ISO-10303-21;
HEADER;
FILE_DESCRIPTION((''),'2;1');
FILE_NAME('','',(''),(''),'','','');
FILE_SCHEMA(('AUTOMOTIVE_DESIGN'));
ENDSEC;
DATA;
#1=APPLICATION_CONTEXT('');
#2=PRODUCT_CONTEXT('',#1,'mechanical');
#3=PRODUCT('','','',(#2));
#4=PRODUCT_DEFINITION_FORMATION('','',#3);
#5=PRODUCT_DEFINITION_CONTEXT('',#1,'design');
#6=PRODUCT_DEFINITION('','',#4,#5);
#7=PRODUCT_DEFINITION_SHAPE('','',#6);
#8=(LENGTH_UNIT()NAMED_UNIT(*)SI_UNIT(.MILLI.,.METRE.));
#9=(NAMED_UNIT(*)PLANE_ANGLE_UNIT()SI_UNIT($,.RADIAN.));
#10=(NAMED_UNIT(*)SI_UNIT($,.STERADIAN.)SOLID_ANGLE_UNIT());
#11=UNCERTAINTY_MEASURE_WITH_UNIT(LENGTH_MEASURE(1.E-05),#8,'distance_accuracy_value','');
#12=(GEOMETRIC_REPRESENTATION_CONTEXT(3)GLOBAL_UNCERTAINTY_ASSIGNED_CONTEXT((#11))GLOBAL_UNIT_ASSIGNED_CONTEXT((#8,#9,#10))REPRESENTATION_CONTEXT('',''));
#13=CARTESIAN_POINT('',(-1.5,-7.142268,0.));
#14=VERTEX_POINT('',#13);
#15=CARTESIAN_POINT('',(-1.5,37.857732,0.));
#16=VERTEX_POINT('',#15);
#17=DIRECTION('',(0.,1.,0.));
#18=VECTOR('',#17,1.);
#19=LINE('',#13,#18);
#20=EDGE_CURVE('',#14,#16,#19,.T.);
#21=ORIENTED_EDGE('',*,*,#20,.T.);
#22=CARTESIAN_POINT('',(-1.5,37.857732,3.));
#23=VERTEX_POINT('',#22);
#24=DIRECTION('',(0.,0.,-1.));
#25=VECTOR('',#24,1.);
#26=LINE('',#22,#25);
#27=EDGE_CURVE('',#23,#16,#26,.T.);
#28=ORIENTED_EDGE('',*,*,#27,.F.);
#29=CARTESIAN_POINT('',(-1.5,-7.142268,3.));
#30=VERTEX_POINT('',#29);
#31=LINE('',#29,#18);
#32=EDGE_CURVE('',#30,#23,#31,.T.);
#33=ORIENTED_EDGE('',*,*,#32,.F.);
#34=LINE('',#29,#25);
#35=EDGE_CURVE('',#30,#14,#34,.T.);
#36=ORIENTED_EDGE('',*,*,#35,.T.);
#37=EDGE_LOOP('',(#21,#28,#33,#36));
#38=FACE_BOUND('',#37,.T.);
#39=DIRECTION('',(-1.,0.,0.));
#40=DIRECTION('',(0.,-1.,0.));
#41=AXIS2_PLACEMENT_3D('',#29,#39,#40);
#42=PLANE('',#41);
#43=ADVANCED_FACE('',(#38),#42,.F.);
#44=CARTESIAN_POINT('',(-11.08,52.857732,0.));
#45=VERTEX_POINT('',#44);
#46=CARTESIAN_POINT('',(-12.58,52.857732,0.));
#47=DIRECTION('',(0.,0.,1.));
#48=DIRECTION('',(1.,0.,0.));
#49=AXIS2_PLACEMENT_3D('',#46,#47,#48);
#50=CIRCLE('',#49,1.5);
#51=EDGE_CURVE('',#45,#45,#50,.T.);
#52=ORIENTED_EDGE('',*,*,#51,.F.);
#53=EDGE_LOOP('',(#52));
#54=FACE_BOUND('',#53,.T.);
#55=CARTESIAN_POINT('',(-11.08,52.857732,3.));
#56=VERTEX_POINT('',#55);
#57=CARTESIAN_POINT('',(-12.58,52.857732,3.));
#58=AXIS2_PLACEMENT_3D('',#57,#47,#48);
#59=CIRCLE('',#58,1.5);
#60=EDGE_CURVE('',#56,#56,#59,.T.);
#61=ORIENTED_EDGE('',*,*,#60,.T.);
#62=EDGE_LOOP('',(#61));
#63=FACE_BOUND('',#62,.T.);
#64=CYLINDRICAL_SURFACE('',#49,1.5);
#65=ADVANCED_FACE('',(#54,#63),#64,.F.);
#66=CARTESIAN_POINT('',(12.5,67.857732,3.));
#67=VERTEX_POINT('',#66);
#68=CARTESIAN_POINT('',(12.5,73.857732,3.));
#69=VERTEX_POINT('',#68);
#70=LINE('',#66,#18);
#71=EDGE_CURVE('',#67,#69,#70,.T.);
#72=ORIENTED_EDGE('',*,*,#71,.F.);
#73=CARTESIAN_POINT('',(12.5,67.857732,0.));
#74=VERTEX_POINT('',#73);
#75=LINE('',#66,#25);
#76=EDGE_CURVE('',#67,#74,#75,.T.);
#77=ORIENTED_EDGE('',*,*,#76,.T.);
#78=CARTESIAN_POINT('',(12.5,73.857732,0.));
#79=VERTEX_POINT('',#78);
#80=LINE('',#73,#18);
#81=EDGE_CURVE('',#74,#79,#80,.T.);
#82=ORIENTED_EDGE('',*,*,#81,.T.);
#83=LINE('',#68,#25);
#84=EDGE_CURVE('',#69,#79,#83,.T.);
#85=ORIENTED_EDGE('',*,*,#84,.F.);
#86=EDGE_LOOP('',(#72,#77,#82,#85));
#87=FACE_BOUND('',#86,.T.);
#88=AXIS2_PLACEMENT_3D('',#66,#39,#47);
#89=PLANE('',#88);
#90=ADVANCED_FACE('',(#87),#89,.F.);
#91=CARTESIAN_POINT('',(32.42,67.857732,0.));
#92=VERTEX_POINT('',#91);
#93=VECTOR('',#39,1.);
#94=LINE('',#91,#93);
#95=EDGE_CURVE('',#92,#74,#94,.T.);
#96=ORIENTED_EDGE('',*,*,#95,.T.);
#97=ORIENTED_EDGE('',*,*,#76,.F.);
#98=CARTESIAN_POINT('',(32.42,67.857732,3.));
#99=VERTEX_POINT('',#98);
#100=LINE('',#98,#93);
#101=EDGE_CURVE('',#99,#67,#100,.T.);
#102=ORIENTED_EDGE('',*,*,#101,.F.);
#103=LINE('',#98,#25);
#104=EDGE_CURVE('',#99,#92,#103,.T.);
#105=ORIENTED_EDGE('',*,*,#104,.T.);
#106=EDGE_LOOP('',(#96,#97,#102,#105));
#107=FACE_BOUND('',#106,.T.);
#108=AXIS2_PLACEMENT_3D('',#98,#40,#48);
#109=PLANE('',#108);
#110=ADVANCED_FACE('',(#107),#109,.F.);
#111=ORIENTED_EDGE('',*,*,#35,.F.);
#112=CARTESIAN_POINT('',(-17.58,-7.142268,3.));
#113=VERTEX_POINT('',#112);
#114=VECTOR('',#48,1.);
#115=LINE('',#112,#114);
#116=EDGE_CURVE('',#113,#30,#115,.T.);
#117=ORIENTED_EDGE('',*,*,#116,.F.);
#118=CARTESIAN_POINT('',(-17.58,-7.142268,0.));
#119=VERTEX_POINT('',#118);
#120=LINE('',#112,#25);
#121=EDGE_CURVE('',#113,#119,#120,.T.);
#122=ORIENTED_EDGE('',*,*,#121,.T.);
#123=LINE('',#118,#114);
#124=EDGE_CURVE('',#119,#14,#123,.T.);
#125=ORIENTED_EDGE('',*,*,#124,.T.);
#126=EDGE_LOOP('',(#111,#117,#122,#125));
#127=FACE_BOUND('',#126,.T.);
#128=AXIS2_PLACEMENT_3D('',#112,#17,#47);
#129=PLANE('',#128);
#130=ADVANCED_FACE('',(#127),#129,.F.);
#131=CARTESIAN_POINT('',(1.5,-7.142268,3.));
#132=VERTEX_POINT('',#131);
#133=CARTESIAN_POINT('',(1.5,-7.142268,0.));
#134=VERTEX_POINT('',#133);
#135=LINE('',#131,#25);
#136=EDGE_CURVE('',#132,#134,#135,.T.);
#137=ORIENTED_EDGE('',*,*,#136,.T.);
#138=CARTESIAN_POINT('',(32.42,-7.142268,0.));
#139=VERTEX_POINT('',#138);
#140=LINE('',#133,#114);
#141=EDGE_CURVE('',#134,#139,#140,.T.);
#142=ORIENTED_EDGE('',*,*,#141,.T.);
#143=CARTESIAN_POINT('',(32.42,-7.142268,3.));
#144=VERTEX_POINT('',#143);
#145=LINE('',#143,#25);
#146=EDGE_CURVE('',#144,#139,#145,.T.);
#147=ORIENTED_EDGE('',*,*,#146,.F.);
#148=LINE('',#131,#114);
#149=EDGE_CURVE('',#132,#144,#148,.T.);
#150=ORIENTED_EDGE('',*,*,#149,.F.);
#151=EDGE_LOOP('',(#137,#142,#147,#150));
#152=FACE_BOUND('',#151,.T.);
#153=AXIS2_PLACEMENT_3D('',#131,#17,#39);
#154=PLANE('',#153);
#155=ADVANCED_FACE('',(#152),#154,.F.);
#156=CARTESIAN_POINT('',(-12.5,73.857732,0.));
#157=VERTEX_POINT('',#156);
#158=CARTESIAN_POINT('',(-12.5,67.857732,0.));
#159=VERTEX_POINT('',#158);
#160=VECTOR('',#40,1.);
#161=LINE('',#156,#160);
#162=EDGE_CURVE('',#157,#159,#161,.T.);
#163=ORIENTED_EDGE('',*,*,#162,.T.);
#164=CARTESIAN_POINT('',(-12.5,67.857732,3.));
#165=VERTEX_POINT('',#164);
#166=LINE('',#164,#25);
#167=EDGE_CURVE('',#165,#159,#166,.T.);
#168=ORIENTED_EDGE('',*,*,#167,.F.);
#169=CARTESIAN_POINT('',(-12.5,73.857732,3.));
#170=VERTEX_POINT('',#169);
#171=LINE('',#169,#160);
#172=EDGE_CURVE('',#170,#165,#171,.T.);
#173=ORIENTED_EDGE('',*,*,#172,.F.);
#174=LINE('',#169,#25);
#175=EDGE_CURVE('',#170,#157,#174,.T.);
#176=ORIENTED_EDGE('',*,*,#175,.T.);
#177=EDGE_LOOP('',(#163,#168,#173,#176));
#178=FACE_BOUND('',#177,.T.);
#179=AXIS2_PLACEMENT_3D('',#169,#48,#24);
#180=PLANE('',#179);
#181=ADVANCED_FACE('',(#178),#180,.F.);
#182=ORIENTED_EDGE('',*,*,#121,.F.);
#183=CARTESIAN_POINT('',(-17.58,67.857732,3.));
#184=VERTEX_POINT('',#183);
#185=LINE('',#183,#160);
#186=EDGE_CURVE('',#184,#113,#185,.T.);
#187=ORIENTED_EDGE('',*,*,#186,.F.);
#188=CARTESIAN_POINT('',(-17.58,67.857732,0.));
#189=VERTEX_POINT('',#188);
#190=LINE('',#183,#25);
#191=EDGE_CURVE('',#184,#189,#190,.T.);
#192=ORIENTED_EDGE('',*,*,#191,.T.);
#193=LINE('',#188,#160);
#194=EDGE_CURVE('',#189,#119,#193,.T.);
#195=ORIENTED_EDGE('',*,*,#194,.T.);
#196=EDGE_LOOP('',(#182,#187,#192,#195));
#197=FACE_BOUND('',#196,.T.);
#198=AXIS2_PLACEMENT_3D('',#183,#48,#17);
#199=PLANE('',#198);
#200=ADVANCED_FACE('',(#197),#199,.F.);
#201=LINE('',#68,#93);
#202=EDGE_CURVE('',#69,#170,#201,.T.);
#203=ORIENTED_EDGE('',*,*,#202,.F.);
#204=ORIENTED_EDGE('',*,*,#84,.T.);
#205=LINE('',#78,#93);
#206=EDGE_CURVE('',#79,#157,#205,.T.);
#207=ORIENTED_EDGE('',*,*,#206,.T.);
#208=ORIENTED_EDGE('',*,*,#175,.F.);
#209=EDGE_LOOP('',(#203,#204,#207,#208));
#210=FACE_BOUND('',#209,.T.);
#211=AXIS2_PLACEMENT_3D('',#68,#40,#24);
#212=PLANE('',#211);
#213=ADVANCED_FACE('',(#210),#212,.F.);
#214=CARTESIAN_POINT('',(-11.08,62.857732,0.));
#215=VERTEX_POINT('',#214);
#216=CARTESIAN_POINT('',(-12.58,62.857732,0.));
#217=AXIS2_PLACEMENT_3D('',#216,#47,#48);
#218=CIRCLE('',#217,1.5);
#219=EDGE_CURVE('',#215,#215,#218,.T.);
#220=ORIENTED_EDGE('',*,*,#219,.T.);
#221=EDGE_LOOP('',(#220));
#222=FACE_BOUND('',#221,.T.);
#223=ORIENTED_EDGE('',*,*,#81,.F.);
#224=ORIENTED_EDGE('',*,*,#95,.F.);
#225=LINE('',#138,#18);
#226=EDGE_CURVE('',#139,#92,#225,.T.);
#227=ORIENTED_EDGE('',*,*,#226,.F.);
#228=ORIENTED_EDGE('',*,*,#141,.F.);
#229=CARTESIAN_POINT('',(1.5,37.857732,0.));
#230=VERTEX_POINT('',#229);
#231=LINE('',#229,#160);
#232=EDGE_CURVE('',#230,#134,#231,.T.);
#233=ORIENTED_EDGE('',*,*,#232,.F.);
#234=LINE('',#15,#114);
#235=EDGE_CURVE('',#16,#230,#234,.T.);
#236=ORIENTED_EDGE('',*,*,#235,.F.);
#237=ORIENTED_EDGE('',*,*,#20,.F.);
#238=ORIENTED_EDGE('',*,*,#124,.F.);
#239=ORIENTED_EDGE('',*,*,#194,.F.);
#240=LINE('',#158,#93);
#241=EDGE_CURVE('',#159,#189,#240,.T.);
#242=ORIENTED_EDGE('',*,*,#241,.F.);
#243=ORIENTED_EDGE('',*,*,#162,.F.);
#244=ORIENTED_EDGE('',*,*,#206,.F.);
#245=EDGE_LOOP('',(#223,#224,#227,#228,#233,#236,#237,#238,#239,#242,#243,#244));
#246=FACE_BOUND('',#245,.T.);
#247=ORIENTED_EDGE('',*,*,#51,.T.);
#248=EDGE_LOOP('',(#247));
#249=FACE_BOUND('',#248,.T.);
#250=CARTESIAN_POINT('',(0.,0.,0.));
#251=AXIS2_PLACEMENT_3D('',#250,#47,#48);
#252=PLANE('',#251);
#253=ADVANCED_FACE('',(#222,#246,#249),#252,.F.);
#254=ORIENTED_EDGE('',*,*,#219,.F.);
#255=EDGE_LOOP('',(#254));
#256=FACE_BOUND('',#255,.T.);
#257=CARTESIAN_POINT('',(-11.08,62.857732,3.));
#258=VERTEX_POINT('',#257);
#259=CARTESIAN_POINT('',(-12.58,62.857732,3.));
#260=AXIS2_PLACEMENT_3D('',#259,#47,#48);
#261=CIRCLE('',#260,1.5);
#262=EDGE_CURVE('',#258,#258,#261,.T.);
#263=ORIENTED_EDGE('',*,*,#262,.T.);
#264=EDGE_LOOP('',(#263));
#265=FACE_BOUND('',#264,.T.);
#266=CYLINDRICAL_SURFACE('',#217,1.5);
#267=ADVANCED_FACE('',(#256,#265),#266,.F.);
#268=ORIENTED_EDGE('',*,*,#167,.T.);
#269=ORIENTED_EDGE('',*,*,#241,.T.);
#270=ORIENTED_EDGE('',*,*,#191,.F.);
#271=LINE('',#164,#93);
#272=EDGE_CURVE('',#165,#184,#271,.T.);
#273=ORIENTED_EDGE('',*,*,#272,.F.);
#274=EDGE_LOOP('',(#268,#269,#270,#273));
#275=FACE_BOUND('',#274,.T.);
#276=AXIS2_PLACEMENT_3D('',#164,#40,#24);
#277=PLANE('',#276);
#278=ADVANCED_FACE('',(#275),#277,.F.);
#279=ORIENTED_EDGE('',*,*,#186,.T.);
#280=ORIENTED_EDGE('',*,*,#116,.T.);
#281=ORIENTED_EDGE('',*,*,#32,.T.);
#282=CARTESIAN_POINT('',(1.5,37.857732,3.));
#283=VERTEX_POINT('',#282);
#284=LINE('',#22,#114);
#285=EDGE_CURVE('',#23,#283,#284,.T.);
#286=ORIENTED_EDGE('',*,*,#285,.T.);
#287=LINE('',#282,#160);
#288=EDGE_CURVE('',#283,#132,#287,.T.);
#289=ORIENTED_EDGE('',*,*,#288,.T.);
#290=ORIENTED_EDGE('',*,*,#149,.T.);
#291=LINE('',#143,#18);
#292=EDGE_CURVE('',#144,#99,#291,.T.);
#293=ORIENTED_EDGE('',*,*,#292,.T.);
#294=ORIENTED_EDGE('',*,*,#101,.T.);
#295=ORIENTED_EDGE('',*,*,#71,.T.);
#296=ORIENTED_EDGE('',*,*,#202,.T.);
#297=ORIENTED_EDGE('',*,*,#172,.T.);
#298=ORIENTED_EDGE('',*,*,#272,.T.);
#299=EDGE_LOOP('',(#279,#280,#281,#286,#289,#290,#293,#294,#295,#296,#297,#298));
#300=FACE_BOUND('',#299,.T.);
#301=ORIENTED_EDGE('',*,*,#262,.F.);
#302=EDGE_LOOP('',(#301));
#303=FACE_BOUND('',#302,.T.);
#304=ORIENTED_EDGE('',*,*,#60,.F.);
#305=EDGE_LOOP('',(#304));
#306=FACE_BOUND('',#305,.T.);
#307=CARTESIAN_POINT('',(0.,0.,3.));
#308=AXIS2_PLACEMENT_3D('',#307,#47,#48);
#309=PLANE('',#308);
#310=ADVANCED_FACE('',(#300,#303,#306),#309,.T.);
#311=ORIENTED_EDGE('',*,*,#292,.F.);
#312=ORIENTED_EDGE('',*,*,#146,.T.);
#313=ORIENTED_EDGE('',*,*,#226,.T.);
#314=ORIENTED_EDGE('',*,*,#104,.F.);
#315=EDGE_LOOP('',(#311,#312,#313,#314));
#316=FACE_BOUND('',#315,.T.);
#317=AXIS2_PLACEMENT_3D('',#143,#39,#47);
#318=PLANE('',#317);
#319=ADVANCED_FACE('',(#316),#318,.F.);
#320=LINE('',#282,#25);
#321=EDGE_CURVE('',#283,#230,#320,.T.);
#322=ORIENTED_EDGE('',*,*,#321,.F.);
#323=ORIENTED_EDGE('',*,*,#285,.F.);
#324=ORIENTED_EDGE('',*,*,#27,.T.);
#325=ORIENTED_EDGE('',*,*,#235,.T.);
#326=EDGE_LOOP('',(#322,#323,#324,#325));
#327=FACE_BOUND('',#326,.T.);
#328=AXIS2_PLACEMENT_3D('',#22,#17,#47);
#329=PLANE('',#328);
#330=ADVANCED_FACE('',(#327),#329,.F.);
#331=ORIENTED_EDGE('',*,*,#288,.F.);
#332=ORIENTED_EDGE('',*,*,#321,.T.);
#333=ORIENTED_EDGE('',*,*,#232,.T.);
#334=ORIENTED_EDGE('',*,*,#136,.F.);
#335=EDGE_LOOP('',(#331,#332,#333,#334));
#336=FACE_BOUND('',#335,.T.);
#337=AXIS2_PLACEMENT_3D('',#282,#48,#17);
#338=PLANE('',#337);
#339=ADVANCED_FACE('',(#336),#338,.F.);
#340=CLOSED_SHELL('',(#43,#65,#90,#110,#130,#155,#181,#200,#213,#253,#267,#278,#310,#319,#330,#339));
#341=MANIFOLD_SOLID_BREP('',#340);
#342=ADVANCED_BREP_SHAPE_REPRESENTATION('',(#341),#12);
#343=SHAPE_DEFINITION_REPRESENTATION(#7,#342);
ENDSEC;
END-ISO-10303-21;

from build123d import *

# Parameters (mm, degrees)
BOSS_EXTRUDE1_DEPTH = 3
SKETCH2_R           = 1.5
CUT_EXTRUDE1_DEPTH  = 4


with BuildPart() as part:
    # Sketch1 → Boss-Extrude1 (new body)
    with BuildSketch(Plane.XY):
        Polygon((12.5, 73.857731997), (-12.5, 73.857731997), (-12.5, 67.857731997), (-17.58, 67.857731997), (-17.58, -7.142268003), (-1.5, -7.142268003), (-1.5, 37.857731997), (1.5, 37.857731997), (1.5, -7.142268003), (32.42, -7.142268003), (32.42, 67.857731997), (12.5, 67.857731997), align=None)
    extrude(amount=BOSS_EXTRUDE1_DEPTH)

    # Sketch2 → Cut-Extrude1 (cut, through all)
    with BuildSketch(Plane.XY.offset(3)):
        with Locations((-12.58, 62.857731997)):
            Circle(SKETCH2_R)
        with Locations((-12.58, 52.857731997)):
            Circle(SKETCH2_R)
    extrude(amount=-CUT_EXTRUDE1_DEPTH, mode=Mode.SUBTRACT)


solid = part.part
